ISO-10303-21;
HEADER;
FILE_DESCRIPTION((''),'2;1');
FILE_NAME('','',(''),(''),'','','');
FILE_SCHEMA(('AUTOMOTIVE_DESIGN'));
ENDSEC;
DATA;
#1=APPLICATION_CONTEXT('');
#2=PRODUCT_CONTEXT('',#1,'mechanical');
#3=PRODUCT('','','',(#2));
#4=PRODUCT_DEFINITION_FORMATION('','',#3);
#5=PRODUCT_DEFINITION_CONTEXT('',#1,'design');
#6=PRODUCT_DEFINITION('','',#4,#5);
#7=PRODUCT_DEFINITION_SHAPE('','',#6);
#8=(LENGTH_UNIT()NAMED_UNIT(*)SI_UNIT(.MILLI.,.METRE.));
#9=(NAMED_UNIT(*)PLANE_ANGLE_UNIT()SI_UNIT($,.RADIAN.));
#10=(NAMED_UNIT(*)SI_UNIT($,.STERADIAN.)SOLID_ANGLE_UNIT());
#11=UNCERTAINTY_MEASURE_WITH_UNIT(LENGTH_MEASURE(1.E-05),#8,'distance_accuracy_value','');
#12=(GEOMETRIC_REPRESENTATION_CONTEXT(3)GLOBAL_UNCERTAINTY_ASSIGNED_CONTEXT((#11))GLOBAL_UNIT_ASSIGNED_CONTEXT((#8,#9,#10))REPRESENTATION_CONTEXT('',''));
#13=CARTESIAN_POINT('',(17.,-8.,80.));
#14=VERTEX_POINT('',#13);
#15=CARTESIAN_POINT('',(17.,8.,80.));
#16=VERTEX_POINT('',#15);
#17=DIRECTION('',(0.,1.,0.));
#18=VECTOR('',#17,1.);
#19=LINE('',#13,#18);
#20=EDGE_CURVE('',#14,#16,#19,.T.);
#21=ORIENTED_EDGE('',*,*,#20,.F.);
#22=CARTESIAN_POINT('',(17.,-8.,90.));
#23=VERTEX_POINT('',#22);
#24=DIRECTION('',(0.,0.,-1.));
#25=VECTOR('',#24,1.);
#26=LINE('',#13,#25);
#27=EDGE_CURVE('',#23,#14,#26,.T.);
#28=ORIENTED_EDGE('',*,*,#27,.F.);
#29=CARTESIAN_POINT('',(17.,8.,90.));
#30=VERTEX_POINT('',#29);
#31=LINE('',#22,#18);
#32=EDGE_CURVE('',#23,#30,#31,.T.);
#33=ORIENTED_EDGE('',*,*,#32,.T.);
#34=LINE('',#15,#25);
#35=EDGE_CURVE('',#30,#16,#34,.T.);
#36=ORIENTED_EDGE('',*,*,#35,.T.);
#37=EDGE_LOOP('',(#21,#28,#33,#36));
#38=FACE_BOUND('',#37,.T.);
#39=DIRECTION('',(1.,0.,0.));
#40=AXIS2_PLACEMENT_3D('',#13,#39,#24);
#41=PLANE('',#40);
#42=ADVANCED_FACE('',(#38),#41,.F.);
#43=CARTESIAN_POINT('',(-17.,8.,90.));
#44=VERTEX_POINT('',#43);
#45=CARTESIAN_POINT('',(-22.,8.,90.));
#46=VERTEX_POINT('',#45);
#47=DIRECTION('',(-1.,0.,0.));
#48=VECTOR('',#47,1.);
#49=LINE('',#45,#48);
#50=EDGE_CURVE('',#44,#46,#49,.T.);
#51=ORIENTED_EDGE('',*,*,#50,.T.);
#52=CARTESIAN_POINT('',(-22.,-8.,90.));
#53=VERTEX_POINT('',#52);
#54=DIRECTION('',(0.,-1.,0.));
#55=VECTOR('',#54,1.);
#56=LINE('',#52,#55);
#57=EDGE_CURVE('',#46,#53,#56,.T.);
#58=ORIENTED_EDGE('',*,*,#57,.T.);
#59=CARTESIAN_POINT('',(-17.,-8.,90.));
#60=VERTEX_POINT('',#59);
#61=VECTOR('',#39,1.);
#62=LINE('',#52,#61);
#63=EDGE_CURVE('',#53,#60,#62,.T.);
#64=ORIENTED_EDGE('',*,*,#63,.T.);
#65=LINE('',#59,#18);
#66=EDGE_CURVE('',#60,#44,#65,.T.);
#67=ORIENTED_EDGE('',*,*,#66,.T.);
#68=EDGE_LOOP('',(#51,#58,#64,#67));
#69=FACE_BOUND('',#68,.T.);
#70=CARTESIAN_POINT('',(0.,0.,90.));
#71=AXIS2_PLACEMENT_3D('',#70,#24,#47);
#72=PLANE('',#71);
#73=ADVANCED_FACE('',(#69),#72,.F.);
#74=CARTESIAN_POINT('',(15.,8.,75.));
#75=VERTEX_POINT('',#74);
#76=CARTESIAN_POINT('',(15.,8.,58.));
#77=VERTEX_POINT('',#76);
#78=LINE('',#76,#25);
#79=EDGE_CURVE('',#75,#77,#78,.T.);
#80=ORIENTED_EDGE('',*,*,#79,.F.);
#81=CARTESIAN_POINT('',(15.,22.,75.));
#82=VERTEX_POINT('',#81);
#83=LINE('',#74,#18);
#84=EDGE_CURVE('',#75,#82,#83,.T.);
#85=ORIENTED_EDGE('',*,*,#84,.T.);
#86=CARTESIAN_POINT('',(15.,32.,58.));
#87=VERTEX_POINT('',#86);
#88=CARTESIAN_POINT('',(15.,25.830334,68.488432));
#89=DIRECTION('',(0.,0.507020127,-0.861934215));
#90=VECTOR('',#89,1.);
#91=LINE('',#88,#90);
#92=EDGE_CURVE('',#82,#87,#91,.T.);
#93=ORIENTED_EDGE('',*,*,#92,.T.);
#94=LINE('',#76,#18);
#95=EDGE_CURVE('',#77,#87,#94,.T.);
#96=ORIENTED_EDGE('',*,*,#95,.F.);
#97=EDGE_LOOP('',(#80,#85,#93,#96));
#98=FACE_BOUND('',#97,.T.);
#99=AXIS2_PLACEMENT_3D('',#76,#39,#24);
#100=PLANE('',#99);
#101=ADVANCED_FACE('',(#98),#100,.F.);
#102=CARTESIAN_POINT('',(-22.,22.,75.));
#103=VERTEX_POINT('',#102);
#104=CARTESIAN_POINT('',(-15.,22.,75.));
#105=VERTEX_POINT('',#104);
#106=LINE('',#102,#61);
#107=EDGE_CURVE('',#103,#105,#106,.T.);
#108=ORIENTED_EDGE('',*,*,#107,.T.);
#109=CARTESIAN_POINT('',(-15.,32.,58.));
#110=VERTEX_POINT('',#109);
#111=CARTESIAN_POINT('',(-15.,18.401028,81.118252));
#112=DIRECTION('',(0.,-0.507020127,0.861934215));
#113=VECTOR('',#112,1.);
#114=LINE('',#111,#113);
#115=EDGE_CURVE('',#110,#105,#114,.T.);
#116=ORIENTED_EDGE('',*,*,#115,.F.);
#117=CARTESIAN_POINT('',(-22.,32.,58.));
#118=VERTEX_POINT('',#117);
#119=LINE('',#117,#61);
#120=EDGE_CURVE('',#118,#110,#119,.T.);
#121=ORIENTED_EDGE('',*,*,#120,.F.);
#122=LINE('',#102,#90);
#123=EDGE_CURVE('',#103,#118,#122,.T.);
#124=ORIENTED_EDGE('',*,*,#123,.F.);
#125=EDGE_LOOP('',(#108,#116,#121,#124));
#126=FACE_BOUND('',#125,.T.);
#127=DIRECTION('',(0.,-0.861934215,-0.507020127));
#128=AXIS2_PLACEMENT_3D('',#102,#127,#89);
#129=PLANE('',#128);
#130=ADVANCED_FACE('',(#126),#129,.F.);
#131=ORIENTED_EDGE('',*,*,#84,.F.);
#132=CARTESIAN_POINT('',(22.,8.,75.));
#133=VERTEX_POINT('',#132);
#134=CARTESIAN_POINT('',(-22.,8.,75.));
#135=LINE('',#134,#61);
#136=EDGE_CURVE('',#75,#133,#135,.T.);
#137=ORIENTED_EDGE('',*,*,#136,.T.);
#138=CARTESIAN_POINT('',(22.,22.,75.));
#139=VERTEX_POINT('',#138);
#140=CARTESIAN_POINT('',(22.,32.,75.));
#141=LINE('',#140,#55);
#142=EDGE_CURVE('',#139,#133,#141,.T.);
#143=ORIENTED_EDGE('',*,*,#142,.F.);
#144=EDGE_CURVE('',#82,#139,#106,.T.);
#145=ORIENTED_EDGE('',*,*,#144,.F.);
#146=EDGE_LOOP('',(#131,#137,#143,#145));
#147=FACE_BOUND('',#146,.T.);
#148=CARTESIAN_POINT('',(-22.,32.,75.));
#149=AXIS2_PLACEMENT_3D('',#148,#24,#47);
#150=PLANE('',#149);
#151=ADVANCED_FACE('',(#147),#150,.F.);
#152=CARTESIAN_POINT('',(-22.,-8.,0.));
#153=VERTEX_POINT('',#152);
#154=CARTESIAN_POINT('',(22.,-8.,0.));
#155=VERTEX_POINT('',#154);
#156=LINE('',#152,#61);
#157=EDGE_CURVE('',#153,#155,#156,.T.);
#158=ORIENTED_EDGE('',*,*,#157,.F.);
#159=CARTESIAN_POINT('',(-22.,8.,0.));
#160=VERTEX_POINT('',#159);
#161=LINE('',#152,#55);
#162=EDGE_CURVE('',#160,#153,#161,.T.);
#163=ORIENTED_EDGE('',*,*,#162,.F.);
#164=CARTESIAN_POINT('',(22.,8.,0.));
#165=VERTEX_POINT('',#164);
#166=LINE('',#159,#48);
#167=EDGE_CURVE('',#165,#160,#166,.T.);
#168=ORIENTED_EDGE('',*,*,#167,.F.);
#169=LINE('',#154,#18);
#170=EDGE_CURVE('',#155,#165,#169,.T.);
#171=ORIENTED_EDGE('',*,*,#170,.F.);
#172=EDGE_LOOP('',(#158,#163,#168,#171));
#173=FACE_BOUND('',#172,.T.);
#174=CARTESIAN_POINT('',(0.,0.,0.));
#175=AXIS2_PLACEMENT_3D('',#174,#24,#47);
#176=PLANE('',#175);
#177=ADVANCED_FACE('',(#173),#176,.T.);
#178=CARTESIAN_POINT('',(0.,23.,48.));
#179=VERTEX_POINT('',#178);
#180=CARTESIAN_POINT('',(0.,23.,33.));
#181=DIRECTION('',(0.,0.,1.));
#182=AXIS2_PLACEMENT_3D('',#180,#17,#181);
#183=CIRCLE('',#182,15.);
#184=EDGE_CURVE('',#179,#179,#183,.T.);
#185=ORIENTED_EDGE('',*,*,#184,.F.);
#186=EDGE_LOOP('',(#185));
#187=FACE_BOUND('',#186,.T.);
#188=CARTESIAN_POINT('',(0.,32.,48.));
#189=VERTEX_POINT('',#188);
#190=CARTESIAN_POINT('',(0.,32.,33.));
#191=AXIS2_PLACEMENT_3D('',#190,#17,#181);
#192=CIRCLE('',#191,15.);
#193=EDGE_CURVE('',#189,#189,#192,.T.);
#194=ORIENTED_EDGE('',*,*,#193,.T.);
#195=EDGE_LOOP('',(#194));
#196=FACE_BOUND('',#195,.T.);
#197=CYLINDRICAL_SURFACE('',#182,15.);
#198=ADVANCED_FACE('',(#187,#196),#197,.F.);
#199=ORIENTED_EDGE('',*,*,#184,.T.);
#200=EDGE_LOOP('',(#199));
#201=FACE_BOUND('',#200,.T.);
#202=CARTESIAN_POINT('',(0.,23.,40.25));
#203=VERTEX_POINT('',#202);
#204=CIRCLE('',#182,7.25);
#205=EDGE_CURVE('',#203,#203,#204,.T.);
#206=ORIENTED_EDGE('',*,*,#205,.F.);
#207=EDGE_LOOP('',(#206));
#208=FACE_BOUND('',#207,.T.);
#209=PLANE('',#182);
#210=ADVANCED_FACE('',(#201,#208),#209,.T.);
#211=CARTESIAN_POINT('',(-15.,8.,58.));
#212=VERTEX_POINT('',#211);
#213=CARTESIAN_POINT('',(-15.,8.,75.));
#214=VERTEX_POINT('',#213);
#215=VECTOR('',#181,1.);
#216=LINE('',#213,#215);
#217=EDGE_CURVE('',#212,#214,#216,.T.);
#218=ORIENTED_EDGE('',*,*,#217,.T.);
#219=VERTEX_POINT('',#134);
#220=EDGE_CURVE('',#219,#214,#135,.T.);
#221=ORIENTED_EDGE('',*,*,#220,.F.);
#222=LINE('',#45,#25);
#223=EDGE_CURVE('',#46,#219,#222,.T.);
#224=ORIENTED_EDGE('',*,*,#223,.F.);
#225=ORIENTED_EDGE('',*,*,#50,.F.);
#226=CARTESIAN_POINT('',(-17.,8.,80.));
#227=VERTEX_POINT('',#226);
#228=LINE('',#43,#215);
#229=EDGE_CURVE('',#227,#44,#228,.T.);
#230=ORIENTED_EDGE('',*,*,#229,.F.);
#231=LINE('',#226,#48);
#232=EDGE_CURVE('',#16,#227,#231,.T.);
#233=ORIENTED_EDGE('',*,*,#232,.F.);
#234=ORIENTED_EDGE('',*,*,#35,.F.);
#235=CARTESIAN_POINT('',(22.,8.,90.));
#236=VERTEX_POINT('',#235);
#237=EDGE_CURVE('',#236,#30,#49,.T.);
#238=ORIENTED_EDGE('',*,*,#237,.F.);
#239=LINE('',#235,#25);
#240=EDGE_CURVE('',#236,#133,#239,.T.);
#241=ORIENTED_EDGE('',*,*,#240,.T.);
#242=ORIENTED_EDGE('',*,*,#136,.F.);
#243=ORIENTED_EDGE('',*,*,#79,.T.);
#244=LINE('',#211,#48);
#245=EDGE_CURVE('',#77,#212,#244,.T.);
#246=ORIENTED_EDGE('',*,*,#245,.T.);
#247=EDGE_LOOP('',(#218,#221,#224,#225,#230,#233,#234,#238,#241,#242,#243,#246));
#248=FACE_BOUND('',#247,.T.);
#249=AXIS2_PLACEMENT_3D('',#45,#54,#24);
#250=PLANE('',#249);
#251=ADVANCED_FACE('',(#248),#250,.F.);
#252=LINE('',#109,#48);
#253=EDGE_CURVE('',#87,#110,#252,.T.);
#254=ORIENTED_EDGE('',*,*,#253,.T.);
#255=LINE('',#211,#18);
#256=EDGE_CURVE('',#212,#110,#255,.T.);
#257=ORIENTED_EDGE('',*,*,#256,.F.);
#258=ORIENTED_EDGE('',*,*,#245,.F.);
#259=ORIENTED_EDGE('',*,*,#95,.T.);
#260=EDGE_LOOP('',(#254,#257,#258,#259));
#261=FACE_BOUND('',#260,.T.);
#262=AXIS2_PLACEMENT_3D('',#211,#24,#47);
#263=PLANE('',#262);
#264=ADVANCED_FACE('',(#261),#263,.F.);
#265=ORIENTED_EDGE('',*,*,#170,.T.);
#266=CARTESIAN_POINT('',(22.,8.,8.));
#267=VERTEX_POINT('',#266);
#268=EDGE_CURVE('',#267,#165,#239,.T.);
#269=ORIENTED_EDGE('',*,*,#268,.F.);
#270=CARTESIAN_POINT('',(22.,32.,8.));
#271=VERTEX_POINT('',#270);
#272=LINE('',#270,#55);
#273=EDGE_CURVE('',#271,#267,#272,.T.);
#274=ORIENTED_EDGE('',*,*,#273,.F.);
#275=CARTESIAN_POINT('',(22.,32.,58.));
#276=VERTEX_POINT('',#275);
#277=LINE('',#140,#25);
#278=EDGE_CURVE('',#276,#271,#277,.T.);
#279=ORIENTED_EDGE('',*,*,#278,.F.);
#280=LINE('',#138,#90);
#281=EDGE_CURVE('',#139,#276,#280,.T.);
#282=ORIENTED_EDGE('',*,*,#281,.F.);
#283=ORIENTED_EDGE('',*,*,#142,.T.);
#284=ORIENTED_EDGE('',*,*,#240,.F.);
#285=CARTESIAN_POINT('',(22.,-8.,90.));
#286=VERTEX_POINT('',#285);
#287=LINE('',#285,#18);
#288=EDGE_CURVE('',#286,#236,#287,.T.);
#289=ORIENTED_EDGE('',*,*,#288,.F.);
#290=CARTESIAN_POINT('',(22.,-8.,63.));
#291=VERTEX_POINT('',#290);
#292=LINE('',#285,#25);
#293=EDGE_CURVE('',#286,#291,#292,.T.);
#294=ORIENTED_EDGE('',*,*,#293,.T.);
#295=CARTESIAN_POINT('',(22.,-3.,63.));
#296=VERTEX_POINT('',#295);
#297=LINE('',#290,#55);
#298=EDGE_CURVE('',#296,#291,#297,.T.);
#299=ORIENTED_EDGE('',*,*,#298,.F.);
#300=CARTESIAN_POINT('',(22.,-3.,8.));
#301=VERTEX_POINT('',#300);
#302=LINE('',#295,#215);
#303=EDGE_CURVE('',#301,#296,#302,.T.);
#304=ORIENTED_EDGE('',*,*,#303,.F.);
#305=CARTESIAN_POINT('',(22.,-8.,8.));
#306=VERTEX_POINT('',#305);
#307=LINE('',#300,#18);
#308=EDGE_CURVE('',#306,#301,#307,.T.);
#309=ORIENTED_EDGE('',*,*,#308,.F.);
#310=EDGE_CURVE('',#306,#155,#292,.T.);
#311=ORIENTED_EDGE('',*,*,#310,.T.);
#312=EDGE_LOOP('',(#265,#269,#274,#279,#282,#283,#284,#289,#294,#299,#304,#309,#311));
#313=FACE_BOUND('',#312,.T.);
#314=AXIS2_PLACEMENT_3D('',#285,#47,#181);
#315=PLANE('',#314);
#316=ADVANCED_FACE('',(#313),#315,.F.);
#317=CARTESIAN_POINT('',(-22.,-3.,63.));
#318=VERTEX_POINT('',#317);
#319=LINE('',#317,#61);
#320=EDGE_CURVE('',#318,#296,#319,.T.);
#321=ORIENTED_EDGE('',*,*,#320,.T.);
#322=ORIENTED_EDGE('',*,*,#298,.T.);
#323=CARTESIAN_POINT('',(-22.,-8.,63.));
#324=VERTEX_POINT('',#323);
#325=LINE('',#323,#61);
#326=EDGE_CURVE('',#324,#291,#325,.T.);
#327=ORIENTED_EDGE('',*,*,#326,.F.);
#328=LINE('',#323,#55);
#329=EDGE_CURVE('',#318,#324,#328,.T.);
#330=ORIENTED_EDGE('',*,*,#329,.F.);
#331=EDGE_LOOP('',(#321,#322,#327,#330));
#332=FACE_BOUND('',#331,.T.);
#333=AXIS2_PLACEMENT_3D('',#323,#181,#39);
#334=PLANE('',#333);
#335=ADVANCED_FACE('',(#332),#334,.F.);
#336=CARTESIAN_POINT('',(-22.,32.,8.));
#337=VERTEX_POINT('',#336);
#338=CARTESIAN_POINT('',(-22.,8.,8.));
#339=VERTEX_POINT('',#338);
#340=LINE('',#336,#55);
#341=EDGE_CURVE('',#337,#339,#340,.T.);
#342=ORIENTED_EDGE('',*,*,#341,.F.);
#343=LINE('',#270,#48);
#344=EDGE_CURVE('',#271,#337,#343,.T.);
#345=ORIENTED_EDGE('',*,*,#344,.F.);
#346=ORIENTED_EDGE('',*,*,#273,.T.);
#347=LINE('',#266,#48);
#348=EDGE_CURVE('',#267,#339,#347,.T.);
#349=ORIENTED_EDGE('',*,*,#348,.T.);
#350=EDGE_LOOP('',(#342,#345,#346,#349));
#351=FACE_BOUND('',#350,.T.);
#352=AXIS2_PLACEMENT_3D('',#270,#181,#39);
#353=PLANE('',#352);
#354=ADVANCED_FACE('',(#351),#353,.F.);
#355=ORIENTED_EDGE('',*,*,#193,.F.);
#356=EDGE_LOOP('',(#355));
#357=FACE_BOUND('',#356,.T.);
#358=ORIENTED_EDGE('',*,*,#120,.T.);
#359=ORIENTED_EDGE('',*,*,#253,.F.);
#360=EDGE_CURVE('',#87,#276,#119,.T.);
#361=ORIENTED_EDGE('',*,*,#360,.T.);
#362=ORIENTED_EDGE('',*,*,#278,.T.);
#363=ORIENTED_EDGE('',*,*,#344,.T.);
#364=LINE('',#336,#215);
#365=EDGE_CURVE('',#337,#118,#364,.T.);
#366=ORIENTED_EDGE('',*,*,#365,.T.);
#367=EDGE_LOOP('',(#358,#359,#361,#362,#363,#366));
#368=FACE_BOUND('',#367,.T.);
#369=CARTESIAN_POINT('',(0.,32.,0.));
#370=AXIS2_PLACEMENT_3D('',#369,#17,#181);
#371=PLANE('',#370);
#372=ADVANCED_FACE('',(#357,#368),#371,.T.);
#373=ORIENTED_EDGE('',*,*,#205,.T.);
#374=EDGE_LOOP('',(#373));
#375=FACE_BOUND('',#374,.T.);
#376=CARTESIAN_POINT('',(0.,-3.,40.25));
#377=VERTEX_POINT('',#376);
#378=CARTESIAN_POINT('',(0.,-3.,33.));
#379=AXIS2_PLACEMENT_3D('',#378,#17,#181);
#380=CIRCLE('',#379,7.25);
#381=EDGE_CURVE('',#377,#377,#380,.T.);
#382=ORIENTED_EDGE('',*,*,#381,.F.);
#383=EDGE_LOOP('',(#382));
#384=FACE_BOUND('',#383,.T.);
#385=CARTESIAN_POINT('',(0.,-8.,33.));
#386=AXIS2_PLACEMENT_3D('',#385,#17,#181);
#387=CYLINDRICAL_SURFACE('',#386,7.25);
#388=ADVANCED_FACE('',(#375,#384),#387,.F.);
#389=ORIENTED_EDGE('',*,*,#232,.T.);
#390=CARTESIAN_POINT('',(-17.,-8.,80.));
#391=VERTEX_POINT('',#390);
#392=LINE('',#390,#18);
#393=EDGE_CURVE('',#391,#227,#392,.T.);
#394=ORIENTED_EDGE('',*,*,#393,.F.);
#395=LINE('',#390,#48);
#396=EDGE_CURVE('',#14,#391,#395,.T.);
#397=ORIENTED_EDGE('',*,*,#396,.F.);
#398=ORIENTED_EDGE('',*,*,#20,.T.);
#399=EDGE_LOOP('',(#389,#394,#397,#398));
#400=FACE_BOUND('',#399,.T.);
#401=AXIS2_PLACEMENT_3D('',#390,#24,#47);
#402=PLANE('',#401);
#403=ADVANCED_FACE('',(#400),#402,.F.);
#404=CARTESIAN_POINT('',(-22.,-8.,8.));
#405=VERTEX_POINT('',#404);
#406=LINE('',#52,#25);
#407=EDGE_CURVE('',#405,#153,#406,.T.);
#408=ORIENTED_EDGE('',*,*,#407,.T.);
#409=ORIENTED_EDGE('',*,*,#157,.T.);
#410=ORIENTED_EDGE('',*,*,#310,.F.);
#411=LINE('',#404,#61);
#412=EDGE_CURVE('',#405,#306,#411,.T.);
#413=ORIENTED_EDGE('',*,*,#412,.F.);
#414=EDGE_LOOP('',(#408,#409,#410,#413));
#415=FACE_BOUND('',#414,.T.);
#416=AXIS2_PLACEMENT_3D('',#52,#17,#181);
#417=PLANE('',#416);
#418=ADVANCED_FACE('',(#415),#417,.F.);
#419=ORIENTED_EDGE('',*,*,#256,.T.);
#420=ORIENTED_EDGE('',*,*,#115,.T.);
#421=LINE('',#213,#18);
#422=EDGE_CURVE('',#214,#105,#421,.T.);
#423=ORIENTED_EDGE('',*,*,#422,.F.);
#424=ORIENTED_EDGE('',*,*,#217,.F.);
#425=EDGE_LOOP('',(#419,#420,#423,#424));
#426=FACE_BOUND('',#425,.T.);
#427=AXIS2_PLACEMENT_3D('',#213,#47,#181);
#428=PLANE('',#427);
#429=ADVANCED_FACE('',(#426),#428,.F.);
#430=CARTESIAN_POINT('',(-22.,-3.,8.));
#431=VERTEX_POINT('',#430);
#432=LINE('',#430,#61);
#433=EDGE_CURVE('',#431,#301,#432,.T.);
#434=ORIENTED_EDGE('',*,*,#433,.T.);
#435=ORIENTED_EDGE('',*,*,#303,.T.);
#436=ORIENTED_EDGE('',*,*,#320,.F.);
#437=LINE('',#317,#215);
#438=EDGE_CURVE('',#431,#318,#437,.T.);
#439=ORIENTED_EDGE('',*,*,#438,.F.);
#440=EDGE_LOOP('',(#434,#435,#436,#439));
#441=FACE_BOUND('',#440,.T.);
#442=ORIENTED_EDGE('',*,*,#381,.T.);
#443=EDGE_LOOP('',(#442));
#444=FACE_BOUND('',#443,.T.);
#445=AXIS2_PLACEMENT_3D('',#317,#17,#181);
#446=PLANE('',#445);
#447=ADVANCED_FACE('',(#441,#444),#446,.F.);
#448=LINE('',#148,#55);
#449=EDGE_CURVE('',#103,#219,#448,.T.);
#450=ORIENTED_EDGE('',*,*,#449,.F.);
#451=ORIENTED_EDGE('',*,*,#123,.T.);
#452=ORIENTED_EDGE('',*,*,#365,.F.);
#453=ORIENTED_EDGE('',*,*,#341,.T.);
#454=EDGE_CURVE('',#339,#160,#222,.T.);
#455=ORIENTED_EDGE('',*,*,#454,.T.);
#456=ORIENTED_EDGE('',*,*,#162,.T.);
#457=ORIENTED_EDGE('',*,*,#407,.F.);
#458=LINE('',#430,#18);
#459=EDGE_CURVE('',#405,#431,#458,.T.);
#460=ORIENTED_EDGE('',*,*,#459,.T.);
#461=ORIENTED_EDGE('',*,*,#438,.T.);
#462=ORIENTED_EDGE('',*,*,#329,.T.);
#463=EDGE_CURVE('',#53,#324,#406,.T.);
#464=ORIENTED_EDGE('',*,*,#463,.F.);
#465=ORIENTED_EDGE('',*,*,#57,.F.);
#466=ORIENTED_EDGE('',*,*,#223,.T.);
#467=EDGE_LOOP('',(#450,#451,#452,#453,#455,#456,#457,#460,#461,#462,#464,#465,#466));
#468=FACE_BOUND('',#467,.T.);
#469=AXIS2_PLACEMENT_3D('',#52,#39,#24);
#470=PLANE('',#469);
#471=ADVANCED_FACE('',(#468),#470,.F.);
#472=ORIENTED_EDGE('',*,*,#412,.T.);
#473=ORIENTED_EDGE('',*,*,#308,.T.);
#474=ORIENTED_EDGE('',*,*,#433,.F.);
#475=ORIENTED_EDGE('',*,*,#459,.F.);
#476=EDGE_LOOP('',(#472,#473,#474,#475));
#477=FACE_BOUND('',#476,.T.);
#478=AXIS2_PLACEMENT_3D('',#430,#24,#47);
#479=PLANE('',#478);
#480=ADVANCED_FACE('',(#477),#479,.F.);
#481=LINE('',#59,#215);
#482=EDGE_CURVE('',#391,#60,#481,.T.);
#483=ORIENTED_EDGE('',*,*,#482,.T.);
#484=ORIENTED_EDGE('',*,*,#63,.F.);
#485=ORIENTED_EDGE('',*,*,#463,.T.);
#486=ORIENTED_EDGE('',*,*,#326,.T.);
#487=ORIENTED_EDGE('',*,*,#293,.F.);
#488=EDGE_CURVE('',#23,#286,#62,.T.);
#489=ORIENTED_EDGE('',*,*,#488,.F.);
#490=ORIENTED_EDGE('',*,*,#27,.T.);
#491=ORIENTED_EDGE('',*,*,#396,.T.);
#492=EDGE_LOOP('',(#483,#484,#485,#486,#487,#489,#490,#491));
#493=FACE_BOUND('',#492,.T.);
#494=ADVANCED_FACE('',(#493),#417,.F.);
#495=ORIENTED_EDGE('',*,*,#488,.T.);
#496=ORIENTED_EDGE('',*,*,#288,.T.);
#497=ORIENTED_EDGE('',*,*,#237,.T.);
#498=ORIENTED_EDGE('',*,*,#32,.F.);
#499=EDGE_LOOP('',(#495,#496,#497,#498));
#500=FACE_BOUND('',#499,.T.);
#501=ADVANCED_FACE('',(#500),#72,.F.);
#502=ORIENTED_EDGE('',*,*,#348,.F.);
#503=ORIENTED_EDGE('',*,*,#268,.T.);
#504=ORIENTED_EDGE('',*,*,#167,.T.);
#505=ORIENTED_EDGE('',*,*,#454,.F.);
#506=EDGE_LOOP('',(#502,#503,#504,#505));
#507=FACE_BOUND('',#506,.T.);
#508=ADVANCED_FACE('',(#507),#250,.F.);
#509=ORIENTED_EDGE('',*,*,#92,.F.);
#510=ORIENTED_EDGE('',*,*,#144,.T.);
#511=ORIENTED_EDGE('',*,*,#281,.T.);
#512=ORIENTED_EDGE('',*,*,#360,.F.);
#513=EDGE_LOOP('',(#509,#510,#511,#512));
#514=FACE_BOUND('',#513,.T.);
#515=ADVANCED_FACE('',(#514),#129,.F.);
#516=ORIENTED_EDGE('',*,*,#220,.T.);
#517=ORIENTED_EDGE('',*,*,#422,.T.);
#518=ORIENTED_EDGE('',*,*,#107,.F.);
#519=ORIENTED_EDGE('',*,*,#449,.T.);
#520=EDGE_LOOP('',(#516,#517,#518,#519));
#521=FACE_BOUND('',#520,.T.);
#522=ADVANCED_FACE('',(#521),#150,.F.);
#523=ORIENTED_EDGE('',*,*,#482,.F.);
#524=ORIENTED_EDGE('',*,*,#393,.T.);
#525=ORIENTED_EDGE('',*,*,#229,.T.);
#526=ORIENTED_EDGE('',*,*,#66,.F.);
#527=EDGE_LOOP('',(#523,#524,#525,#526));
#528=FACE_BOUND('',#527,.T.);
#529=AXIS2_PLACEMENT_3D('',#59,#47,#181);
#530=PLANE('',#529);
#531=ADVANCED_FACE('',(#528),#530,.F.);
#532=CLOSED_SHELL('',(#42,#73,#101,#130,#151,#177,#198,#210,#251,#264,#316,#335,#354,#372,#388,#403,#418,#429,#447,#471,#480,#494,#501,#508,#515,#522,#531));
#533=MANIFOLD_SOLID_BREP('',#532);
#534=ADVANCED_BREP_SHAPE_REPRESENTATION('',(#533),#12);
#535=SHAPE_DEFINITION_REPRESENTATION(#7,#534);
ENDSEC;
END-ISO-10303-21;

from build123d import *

# Parameters (mm, degrees)
SKETCH_1_W          = 44
SKETCH_1_H          = 16
EXTRUDE_1_DEPTH     = 90
SKETCH_2_W          = 55
SKETCH_2_H          = 5
CUT_EXTRUDE_1_DEPTH = 101.498756211
SKETCH_3_W          = 34
SKETCH_3_H          = 10
CUT_EXTRUDE_2_DEPTH = 95.021274188
SKETCH_4_W          = 44
SKETCH_4_H          = 67
EXTRUDE_2_DEPTH     = 24
SKETCH_5_W          = 30
SKETCH_5_H          = 17
CUT_EXTRUDE_3_DEPTH = 24
CUT_EXTRUDE_4_DEPTH = 106.166534601
SKETCH_7_R          = 15
CUT_EXTRUDE_5_DEPTH = 9
SKETCH_8_R          = 7.25
CUT_EXTRUDE_6_DEPTH = 98.698515854


with BuildPart() as part:
    # Эскиз1 → Бобышка-Вытянуть1 (new body)
    with BuildSketch(Plane.XY):
        Rectangle(SKETCH_1_W, SKETCH_1_H)
    extrude(amount=EXTRUDE_1_DEPTH)

    # Эскиз2 → Вырез-Вытянуть1 (cut, through all)
    with BuildSketch(Plane(origin=(22, 0, 0), x_dir=(0, 0, -1), z_dir=(1, 0, 0))):
        with Locations((-35.5, -5.5)):
            Rectangle(SKETCH_2_W, SKETCH_2_H)
    extrude(amount=-CUT_EXTRUDE_1_DEPTH, mode=Mode.SUBTRACT)

    # Эскиз3 → Вырез-Вытянуть2 (cut, through all)
    with BuildSketch(Plane(origin=(0, 8, 0), x_dir=(1, 0, 0), z_dir=(0, 1, 0))):
        with Locations((0, -85)):
            Rectangle(SKETCH_3_W, SKETCH_3_H)
    extrude(amount=-CUT_EXTRUDE_2_DEPTH, mode=Mode.SUBTRACT)

    # Эскиз4 → Бобышка-Вытянуть2 (add)
    with BuildSketch(Plane(origin=(0, 8, 0), x_dir=(1, 0, 0), z_dir=(0, 1, 0))):
        with Locations((0, -41.5)):
            Rectangle(SKETCH_4_W, SKETCH_4_H)
    extrude(amount=EXTRUDE_2_DEPTH)

    # Эскиз5 → Вырез-Вытянуть3 (cut)
    with BuildSketch(Plane(origin=(0, 32, 0), x_dir=(1, 0, 0), z_dir=(0, 1, 0))):
        with Locations((0, -66.5)):
            Rectangle(SKETCH_5_W, SKETCH_5_H)
    extrude(amount=-CUT_EXTRUDE_3_DEPTH, mode=Mode.SUBTRACT)

    # Эскиз6 → Вырез-Вытянуть4 (cut, through all)
    with BuildSketch(Plane(origin=(22, 0, 0), x_dir=(0, 0, -1), z_dir=(1, 0, 0))):
        Polygon((-75, 22), (-58, 32), (-75, 32), align=None)
    extrude(amount=-CUT_EXTRUDE_4_DEPTH, mode=Mode.SUBTRACT)

    # Эскиз7 → Вырез-Вытянуть5 (cut)
    with BuildSketch(Plane(origin=(0, 32, 0), x_dir=(1, 0, 0), z_dir=(0, 1, 0))):
        with Locations(Location((0, -33, 0), (0, 0, 270))):
            Circle(SKETCH_7_R)
    extrude(amount=-CUT_EXTRUDE_5_DEPTH, mode=Mode.SUBTRACT)

    # Эскиз8 → Вырез-Вытянуть6 (cut, through all)
    with BuildSketch(Plane(origin=(0, 23, 0), x_dir=(1, 0, 0), z_dir=(0, 1, 0))):
        with Locations(Location((0, -33, 0), (0, 0, 270))):
            Circle(SKETCH_8_R)
    extrude(amount=-CUT_EXTRUDE_6_DEPTH, mode=Mode.SUBTRACT)


solid = part.part
